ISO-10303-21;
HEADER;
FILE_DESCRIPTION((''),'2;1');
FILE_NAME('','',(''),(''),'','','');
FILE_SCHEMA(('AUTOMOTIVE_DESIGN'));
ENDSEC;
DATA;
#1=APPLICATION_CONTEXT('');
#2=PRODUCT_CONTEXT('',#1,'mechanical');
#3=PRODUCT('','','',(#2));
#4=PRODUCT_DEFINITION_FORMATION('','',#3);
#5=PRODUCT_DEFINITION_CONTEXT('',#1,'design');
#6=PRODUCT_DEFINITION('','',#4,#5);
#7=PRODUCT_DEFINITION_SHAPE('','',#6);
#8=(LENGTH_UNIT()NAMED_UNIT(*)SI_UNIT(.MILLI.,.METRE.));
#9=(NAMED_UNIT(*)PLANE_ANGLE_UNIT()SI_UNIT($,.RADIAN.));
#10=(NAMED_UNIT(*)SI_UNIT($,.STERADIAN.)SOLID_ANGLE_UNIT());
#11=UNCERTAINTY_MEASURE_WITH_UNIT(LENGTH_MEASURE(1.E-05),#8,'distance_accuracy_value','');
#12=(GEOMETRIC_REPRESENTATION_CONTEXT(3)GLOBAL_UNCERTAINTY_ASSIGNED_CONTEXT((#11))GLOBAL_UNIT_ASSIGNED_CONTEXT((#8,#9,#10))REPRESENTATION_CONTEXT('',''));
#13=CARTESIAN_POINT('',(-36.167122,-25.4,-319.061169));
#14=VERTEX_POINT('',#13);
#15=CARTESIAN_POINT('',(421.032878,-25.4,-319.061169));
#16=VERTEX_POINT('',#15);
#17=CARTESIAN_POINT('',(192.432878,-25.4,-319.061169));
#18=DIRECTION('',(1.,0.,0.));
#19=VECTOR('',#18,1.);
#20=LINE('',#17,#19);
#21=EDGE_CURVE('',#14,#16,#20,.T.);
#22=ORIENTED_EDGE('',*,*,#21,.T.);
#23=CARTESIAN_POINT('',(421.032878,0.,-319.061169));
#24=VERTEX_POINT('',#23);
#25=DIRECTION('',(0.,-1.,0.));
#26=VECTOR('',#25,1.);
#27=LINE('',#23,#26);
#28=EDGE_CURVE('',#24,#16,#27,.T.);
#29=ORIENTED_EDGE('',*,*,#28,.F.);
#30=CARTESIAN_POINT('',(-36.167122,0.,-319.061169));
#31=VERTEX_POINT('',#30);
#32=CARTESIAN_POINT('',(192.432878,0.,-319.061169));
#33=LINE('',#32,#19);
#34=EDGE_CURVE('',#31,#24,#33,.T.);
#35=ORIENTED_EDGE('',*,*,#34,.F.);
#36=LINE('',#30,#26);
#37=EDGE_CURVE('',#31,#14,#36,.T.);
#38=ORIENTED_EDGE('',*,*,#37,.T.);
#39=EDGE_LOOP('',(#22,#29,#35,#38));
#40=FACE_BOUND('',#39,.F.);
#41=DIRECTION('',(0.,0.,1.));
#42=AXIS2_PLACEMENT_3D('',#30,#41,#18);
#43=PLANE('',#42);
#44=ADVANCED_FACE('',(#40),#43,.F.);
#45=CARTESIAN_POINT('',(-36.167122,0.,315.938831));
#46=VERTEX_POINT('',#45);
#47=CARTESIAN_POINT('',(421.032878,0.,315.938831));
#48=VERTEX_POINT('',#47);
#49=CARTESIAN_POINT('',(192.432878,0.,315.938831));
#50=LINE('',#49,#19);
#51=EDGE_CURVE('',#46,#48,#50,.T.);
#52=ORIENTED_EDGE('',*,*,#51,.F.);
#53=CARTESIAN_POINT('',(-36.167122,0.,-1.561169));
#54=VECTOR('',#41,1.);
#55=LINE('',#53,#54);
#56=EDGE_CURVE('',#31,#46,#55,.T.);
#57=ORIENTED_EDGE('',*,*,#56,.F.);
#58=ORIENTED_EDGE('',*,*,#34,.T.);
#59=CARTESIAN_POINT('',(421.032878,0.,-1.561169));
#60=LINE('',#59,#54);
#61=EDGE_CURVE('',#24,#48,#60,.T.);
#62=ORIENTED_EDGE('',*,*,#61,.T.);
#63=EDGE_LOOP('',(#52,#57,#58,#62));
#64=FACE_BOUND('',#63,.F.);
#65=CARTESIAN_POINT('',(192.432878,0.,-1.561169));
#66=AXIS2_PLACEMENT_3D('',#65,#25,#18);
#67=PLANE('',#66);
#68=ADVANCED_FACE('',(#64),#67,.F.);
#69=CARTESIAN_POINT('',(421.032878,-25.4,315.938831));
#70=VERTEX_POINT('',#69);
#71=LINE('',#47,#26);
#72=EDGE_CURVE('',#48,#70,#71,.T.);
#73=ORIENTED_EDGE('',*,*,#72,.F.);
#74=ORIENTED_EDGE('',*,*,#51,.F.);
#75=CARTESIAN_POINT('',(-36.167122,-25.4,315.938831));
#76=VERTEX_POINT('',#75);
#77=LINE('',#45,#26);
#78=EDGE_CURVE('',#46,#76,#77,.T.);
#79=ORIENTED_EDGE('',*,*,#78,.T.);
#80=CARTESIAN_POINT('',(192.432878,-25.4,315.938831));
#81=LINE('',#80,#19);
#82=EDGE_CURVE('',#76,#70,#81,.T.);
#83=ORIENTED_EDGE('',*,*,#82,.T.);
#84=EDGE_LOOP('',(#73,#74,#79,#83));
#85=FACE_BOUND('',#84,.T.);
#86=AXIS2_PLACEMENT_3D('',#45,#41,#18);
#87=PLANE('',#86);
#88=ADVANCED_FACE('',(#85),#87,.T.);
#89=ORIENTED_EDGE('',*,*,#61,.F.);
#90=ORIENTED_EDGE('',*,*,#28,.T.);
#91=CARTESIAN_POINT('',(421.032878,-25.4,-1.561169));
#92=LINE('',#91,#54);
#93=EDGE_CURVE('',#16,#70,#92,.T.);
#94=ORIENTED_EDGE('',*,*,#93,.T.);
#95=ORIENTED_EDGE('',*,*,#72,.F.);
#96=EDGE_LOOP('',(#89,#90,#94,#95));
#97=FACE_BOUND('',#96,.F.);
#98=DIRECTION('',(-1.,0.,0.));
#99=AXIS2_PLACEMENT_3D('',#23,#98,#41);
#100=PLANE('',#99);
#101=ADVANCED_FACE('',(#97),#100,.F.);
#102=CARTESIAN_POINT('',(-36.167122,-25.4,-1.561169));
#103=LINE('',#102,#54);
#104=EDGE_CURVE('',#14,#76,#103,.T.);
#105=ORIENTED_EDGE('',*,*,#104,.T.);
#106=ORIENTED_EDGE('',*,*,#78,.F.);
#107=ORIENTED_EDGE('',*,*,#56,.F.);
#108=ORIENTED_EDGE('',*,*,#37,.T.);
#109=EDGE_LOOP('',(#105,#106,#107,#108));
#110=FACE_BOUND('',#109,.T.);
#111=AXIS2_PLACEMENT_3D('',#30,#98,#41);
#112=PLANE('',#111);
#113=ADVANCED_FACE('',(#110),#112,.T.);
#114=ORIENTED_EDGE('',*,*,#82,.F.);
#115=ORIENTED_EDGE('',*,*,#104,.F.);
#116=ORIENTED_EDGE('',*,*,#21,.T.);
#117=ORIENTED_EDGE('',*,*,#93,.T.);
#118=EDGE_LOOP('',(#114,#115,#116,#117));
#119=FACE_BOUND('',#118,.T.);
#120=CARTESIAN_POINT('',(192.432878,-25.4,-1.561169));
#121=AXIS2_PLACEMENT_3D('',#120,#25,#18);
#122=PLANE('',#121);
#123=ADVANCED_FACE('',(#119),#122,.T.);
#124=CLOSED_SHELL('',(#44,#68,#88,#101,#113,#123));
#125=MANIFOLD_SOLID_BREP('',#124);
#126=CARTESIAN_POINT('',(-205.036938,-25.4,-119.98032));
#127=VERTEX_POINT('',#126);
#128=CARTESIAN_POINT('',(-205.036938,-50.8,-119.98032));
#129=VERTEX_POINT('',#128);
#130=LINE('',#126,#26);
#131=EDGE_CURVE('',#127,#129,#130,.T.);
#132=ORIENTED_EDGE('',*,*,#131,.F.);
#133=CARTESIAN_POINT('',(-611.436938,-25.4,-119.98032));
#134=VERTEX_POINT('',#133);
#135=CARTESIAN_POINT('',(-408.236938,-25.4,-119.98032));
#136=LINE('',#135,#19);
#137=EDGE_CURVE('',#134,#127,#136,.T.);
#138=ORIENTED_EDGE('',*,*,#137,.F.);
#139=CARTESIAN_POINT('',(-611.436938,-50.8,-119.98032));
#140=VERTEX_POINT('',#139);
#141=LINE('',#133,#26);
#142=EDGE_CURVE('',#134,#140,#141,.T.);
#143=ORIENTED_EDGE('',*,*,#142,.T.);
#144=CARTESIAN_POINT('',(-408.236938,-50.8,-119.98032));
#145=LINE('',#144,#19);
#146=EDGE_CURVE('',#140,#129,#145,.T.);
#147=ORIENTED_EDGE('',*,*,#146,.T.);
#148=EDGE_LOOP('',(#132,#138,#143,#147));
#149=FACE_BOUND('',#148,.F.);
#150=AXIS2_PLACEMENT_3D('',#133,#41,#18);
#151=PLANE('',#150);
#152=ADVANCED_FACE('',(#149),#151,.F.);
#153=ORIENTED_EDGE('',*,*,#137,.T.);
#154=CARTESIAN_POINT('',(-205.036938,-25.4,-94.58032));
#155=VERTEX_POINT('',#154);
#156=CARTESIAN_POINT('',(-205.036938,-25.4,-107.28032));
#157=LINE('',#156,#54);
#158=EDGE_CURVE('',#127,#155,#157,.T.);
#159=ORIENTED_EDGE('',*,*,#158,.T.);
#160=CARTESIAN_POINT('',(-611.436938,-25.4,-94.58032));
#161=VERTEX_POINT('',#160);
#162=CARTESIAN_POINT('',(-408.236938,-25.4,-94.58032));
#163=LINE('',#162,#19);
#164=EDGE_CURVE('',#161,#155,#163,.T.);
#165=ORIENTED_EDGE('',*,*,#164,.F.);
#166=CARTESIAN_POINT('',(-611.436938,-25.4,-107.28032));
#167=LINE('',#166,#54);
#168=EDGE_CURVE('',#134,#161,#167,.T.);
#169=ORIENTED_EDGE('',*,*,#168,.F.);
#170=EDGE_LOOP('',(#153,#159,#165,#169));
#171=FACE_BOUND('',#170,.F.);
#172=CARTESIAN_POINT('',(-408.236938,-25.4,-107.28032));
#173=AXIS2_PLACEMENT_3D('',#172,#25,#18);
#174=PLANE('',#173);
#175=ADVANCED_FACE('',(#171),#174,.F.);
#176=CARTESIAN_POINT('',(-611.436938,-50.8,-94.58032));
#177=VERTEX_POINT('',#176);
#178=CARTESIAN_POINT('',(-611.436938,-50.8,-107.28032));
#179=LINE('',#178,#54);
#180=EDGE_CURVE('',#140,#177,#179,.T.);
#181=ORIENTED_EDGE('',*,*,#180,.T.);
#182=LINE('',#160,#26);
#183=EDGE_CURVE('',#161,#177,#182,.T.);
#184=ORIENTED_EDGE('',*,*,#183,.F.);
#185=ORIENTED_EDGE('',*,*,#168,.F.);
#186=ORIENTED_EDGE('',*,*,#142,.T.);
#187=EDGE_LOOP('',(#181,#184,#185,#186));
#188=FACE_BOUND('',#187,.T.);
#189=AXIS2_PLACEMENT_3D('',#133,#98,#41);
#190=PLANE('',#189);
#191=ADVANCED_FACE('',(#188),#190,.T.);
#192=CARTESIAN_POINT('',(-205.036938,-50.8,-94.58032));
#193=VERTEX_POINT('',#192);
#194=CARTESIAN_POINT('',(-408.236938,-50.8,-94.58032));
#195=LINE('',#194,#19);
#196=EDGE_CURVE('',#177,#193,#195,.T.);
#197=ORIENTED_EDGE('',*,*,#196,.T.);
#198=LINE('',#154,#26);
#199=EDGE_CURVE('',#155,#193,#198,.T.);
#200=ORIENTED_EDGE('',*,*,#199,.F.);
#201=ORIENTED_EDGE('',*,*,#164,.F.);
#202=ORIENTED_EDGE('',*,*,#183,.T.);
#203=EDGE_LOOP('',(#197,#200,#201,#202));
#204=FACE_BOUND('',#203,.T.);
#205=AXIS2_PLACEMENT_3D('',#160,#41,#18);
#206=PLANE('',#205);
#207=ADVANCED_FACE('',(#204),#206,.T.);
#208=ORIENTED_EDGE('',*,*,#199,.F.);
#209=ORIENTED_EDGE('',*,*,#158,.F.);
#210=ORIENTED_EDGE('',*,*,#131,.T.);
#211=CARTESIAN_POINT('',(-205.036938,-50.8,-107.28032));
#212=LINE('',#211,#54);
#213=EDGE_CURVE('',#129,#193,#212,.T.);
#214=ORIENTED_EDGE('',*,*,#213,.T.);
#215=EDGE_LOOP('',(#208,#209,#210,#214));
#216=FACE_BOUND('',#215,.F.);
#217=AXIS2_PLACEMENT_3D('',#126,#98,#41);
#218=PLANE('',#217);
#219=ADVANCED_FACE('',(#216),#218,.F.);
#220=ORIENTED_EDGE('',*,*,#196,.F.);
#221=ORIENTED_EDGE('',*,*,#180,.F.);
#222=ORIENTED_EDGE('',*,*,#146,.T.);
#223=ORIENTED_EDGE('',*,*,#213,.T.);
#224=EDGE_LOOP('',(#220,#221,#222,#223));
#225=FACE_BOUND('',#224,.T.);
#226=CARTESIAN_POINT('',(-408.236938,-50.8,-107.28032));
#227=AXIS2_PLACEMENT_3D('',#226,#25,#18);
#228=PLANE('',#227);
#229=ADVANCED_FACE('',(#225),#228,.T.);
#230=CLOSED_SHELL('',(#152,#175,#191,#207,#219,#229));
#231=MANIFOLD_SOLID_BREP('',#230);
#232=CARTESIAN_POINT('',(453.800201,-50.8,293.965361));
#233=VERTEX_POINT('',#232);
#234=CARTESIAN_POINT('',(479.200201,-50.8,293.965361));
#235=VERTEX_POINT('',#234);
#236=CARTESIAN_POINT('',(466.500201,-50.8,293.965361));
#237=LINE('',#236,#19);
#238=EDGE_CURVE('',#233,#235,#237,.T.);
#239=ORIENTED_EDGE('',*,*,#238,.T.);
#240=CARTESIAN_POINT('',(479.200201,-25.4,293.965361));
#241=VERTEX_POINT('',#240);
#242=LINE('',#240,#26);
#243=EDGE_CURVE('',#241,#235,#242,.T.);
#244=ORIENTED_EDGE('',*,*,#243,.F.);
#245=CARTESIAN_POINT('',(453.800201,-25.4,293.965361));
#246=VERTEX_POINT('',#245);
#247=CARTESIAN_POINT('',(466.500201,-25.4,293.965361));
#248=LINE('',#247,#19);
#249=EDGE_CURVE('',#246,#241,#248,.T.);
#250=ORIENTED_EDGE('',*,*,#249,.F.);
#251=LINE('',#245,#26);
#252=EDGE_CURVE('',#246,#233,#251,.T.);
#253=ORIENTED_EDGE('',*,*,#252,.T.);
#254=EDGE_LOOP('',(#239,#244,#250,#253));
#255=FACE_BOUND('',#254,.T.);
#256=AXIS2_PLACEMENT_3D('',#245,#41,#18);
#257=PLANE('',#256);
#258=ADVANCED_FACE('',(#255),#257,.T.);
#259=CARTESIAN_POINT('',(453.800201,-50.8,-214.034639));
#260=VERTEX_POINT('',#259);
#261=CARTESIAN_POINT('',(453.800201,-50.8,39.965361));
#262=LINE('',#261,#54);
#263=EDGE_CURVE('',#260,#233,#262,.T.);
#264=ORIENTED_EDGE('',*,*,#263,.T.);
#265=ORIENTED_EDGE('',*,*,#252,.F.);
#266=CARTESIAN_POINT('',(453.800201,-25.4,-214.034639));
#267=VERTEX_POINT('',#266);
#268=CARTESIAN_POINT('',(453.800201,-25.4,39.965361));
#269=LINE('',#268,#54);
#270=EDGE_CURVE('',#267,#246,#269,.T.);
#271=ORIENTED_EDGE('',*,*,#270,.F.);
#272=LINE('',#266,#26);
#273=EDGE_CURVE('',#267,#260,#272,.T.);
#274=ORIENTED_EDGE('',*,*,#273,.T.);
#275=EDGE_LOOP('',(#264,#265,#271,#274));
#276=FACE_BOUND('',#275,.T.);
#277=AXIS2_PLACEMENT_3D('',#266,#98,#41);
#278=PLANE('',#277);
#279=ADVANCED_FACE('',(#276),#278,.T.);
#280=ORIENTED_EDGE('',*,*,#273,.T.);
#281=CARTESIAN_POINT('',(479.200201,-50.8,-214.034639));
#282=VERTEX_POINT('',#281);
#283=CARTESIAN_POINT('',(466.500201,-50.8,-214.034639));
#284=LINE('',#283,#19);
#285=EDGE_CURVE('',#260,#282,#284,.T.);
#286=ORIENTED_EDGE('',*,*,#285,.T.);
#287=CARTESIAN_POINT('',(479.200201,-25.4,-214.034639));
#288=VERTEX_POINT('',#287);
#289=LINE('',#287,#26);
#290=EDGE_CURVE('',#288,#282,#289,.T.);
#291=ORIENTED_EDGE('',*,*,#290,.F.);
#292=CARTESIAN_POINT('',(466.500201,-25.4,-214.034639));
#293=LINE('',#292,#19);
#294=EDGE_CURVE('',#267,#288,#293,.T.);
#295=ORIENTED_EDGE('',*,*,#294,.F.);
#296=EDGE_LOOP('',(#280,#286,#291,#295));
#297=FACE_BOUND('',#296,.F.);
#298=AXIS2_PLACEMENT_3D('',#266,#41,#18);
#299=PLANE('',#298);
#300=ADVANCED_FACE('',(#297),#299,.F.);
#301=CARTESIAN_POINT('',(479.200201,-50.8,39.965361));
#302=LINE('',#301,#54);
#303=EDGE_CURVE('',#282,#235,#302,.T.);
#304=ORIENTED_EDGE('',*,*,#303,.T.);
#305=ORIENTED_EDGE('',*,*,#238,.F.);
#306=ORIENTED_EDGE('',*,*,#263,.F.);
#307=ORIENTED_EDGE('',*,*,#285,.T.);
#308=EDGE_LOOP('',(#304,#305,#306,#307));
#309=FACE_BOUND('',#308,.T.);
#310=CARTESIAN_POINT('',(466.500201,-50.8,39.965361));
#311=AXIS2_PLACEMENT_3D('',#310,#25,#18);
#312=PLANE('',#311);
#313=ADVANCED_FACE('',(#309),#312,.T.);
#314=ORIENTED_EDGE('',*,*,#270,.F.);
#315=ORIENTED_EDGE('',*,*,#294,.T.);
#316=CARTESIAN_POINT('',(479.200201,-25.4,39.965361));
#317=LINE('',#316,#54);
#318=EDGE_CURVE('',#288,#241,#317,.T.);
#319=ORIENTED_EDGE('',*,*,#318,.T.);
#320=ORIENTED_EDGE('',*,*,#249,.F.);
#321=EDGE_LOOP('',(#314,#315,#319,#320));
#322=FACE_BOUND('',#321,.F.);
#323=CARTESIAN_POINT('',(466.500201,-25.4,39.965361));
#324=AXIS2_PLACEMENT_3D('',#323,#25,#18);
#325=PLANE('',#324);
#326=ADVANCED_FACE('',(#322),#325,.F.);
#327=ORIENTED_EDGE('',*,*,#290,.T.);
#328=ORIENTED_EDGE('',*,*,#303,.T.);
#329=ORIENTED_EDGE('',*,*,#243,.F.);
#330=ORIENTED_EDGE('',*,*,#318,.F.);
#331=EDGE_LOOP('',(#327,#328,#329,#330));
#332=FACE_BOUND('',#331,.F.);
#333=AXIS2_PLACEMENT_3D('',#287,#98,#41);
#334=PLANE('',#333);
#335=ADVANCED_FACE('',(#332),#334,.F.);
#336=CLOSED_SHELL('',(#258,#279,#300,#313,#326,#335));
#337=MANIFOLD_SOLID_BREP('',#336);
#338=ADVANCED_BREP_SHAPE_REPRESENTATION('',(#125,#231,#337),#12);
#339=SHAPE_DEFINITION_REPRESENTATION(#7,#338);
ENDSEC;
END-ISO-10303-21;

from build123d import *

# Parameters (mm, degrees)
F0_W     = 457.2
F0_H     = 635
F1_DEPTH = 25.4
F2_W     = 25.4
F2_H     = 508
F3_DEPTH = 25.4
F5_W     = 406.4
F5_H     = 25.4
F6_DEPTH = 25.4


with BuildPart() as f1:
    # F0 (on Front) → F1 (new body)
    with BuildSketch(Plane.XZ):
        with Locations((192.432878, -1.561169)):
            Rectangle(F0_W, F0_H)
    extrude(amount=F1_DEPTH)


with BuildPart() as f3:
    # F2 (on face) → F3 (new body)
    with BuildSketch(Plane.XZ.offset(25.4)):
        with Locations((466.500201, 39.965361)):
            Rectangle(F2_W, F2_H)
    extrude(amount=F3_DEPTH)


with BuildPart() as f6:
    # F5 (on face) → F6 (new body)
    with BuildSketch(Plane.XZ.offset(25.4)):
        with Locations((-408.236938, -107.28032)):
            Rectangle(F5_W, F5_H)
    extrude(amount=F6_DEPTH)


solid = Compound([f1.part, f3.part, f6.part])
